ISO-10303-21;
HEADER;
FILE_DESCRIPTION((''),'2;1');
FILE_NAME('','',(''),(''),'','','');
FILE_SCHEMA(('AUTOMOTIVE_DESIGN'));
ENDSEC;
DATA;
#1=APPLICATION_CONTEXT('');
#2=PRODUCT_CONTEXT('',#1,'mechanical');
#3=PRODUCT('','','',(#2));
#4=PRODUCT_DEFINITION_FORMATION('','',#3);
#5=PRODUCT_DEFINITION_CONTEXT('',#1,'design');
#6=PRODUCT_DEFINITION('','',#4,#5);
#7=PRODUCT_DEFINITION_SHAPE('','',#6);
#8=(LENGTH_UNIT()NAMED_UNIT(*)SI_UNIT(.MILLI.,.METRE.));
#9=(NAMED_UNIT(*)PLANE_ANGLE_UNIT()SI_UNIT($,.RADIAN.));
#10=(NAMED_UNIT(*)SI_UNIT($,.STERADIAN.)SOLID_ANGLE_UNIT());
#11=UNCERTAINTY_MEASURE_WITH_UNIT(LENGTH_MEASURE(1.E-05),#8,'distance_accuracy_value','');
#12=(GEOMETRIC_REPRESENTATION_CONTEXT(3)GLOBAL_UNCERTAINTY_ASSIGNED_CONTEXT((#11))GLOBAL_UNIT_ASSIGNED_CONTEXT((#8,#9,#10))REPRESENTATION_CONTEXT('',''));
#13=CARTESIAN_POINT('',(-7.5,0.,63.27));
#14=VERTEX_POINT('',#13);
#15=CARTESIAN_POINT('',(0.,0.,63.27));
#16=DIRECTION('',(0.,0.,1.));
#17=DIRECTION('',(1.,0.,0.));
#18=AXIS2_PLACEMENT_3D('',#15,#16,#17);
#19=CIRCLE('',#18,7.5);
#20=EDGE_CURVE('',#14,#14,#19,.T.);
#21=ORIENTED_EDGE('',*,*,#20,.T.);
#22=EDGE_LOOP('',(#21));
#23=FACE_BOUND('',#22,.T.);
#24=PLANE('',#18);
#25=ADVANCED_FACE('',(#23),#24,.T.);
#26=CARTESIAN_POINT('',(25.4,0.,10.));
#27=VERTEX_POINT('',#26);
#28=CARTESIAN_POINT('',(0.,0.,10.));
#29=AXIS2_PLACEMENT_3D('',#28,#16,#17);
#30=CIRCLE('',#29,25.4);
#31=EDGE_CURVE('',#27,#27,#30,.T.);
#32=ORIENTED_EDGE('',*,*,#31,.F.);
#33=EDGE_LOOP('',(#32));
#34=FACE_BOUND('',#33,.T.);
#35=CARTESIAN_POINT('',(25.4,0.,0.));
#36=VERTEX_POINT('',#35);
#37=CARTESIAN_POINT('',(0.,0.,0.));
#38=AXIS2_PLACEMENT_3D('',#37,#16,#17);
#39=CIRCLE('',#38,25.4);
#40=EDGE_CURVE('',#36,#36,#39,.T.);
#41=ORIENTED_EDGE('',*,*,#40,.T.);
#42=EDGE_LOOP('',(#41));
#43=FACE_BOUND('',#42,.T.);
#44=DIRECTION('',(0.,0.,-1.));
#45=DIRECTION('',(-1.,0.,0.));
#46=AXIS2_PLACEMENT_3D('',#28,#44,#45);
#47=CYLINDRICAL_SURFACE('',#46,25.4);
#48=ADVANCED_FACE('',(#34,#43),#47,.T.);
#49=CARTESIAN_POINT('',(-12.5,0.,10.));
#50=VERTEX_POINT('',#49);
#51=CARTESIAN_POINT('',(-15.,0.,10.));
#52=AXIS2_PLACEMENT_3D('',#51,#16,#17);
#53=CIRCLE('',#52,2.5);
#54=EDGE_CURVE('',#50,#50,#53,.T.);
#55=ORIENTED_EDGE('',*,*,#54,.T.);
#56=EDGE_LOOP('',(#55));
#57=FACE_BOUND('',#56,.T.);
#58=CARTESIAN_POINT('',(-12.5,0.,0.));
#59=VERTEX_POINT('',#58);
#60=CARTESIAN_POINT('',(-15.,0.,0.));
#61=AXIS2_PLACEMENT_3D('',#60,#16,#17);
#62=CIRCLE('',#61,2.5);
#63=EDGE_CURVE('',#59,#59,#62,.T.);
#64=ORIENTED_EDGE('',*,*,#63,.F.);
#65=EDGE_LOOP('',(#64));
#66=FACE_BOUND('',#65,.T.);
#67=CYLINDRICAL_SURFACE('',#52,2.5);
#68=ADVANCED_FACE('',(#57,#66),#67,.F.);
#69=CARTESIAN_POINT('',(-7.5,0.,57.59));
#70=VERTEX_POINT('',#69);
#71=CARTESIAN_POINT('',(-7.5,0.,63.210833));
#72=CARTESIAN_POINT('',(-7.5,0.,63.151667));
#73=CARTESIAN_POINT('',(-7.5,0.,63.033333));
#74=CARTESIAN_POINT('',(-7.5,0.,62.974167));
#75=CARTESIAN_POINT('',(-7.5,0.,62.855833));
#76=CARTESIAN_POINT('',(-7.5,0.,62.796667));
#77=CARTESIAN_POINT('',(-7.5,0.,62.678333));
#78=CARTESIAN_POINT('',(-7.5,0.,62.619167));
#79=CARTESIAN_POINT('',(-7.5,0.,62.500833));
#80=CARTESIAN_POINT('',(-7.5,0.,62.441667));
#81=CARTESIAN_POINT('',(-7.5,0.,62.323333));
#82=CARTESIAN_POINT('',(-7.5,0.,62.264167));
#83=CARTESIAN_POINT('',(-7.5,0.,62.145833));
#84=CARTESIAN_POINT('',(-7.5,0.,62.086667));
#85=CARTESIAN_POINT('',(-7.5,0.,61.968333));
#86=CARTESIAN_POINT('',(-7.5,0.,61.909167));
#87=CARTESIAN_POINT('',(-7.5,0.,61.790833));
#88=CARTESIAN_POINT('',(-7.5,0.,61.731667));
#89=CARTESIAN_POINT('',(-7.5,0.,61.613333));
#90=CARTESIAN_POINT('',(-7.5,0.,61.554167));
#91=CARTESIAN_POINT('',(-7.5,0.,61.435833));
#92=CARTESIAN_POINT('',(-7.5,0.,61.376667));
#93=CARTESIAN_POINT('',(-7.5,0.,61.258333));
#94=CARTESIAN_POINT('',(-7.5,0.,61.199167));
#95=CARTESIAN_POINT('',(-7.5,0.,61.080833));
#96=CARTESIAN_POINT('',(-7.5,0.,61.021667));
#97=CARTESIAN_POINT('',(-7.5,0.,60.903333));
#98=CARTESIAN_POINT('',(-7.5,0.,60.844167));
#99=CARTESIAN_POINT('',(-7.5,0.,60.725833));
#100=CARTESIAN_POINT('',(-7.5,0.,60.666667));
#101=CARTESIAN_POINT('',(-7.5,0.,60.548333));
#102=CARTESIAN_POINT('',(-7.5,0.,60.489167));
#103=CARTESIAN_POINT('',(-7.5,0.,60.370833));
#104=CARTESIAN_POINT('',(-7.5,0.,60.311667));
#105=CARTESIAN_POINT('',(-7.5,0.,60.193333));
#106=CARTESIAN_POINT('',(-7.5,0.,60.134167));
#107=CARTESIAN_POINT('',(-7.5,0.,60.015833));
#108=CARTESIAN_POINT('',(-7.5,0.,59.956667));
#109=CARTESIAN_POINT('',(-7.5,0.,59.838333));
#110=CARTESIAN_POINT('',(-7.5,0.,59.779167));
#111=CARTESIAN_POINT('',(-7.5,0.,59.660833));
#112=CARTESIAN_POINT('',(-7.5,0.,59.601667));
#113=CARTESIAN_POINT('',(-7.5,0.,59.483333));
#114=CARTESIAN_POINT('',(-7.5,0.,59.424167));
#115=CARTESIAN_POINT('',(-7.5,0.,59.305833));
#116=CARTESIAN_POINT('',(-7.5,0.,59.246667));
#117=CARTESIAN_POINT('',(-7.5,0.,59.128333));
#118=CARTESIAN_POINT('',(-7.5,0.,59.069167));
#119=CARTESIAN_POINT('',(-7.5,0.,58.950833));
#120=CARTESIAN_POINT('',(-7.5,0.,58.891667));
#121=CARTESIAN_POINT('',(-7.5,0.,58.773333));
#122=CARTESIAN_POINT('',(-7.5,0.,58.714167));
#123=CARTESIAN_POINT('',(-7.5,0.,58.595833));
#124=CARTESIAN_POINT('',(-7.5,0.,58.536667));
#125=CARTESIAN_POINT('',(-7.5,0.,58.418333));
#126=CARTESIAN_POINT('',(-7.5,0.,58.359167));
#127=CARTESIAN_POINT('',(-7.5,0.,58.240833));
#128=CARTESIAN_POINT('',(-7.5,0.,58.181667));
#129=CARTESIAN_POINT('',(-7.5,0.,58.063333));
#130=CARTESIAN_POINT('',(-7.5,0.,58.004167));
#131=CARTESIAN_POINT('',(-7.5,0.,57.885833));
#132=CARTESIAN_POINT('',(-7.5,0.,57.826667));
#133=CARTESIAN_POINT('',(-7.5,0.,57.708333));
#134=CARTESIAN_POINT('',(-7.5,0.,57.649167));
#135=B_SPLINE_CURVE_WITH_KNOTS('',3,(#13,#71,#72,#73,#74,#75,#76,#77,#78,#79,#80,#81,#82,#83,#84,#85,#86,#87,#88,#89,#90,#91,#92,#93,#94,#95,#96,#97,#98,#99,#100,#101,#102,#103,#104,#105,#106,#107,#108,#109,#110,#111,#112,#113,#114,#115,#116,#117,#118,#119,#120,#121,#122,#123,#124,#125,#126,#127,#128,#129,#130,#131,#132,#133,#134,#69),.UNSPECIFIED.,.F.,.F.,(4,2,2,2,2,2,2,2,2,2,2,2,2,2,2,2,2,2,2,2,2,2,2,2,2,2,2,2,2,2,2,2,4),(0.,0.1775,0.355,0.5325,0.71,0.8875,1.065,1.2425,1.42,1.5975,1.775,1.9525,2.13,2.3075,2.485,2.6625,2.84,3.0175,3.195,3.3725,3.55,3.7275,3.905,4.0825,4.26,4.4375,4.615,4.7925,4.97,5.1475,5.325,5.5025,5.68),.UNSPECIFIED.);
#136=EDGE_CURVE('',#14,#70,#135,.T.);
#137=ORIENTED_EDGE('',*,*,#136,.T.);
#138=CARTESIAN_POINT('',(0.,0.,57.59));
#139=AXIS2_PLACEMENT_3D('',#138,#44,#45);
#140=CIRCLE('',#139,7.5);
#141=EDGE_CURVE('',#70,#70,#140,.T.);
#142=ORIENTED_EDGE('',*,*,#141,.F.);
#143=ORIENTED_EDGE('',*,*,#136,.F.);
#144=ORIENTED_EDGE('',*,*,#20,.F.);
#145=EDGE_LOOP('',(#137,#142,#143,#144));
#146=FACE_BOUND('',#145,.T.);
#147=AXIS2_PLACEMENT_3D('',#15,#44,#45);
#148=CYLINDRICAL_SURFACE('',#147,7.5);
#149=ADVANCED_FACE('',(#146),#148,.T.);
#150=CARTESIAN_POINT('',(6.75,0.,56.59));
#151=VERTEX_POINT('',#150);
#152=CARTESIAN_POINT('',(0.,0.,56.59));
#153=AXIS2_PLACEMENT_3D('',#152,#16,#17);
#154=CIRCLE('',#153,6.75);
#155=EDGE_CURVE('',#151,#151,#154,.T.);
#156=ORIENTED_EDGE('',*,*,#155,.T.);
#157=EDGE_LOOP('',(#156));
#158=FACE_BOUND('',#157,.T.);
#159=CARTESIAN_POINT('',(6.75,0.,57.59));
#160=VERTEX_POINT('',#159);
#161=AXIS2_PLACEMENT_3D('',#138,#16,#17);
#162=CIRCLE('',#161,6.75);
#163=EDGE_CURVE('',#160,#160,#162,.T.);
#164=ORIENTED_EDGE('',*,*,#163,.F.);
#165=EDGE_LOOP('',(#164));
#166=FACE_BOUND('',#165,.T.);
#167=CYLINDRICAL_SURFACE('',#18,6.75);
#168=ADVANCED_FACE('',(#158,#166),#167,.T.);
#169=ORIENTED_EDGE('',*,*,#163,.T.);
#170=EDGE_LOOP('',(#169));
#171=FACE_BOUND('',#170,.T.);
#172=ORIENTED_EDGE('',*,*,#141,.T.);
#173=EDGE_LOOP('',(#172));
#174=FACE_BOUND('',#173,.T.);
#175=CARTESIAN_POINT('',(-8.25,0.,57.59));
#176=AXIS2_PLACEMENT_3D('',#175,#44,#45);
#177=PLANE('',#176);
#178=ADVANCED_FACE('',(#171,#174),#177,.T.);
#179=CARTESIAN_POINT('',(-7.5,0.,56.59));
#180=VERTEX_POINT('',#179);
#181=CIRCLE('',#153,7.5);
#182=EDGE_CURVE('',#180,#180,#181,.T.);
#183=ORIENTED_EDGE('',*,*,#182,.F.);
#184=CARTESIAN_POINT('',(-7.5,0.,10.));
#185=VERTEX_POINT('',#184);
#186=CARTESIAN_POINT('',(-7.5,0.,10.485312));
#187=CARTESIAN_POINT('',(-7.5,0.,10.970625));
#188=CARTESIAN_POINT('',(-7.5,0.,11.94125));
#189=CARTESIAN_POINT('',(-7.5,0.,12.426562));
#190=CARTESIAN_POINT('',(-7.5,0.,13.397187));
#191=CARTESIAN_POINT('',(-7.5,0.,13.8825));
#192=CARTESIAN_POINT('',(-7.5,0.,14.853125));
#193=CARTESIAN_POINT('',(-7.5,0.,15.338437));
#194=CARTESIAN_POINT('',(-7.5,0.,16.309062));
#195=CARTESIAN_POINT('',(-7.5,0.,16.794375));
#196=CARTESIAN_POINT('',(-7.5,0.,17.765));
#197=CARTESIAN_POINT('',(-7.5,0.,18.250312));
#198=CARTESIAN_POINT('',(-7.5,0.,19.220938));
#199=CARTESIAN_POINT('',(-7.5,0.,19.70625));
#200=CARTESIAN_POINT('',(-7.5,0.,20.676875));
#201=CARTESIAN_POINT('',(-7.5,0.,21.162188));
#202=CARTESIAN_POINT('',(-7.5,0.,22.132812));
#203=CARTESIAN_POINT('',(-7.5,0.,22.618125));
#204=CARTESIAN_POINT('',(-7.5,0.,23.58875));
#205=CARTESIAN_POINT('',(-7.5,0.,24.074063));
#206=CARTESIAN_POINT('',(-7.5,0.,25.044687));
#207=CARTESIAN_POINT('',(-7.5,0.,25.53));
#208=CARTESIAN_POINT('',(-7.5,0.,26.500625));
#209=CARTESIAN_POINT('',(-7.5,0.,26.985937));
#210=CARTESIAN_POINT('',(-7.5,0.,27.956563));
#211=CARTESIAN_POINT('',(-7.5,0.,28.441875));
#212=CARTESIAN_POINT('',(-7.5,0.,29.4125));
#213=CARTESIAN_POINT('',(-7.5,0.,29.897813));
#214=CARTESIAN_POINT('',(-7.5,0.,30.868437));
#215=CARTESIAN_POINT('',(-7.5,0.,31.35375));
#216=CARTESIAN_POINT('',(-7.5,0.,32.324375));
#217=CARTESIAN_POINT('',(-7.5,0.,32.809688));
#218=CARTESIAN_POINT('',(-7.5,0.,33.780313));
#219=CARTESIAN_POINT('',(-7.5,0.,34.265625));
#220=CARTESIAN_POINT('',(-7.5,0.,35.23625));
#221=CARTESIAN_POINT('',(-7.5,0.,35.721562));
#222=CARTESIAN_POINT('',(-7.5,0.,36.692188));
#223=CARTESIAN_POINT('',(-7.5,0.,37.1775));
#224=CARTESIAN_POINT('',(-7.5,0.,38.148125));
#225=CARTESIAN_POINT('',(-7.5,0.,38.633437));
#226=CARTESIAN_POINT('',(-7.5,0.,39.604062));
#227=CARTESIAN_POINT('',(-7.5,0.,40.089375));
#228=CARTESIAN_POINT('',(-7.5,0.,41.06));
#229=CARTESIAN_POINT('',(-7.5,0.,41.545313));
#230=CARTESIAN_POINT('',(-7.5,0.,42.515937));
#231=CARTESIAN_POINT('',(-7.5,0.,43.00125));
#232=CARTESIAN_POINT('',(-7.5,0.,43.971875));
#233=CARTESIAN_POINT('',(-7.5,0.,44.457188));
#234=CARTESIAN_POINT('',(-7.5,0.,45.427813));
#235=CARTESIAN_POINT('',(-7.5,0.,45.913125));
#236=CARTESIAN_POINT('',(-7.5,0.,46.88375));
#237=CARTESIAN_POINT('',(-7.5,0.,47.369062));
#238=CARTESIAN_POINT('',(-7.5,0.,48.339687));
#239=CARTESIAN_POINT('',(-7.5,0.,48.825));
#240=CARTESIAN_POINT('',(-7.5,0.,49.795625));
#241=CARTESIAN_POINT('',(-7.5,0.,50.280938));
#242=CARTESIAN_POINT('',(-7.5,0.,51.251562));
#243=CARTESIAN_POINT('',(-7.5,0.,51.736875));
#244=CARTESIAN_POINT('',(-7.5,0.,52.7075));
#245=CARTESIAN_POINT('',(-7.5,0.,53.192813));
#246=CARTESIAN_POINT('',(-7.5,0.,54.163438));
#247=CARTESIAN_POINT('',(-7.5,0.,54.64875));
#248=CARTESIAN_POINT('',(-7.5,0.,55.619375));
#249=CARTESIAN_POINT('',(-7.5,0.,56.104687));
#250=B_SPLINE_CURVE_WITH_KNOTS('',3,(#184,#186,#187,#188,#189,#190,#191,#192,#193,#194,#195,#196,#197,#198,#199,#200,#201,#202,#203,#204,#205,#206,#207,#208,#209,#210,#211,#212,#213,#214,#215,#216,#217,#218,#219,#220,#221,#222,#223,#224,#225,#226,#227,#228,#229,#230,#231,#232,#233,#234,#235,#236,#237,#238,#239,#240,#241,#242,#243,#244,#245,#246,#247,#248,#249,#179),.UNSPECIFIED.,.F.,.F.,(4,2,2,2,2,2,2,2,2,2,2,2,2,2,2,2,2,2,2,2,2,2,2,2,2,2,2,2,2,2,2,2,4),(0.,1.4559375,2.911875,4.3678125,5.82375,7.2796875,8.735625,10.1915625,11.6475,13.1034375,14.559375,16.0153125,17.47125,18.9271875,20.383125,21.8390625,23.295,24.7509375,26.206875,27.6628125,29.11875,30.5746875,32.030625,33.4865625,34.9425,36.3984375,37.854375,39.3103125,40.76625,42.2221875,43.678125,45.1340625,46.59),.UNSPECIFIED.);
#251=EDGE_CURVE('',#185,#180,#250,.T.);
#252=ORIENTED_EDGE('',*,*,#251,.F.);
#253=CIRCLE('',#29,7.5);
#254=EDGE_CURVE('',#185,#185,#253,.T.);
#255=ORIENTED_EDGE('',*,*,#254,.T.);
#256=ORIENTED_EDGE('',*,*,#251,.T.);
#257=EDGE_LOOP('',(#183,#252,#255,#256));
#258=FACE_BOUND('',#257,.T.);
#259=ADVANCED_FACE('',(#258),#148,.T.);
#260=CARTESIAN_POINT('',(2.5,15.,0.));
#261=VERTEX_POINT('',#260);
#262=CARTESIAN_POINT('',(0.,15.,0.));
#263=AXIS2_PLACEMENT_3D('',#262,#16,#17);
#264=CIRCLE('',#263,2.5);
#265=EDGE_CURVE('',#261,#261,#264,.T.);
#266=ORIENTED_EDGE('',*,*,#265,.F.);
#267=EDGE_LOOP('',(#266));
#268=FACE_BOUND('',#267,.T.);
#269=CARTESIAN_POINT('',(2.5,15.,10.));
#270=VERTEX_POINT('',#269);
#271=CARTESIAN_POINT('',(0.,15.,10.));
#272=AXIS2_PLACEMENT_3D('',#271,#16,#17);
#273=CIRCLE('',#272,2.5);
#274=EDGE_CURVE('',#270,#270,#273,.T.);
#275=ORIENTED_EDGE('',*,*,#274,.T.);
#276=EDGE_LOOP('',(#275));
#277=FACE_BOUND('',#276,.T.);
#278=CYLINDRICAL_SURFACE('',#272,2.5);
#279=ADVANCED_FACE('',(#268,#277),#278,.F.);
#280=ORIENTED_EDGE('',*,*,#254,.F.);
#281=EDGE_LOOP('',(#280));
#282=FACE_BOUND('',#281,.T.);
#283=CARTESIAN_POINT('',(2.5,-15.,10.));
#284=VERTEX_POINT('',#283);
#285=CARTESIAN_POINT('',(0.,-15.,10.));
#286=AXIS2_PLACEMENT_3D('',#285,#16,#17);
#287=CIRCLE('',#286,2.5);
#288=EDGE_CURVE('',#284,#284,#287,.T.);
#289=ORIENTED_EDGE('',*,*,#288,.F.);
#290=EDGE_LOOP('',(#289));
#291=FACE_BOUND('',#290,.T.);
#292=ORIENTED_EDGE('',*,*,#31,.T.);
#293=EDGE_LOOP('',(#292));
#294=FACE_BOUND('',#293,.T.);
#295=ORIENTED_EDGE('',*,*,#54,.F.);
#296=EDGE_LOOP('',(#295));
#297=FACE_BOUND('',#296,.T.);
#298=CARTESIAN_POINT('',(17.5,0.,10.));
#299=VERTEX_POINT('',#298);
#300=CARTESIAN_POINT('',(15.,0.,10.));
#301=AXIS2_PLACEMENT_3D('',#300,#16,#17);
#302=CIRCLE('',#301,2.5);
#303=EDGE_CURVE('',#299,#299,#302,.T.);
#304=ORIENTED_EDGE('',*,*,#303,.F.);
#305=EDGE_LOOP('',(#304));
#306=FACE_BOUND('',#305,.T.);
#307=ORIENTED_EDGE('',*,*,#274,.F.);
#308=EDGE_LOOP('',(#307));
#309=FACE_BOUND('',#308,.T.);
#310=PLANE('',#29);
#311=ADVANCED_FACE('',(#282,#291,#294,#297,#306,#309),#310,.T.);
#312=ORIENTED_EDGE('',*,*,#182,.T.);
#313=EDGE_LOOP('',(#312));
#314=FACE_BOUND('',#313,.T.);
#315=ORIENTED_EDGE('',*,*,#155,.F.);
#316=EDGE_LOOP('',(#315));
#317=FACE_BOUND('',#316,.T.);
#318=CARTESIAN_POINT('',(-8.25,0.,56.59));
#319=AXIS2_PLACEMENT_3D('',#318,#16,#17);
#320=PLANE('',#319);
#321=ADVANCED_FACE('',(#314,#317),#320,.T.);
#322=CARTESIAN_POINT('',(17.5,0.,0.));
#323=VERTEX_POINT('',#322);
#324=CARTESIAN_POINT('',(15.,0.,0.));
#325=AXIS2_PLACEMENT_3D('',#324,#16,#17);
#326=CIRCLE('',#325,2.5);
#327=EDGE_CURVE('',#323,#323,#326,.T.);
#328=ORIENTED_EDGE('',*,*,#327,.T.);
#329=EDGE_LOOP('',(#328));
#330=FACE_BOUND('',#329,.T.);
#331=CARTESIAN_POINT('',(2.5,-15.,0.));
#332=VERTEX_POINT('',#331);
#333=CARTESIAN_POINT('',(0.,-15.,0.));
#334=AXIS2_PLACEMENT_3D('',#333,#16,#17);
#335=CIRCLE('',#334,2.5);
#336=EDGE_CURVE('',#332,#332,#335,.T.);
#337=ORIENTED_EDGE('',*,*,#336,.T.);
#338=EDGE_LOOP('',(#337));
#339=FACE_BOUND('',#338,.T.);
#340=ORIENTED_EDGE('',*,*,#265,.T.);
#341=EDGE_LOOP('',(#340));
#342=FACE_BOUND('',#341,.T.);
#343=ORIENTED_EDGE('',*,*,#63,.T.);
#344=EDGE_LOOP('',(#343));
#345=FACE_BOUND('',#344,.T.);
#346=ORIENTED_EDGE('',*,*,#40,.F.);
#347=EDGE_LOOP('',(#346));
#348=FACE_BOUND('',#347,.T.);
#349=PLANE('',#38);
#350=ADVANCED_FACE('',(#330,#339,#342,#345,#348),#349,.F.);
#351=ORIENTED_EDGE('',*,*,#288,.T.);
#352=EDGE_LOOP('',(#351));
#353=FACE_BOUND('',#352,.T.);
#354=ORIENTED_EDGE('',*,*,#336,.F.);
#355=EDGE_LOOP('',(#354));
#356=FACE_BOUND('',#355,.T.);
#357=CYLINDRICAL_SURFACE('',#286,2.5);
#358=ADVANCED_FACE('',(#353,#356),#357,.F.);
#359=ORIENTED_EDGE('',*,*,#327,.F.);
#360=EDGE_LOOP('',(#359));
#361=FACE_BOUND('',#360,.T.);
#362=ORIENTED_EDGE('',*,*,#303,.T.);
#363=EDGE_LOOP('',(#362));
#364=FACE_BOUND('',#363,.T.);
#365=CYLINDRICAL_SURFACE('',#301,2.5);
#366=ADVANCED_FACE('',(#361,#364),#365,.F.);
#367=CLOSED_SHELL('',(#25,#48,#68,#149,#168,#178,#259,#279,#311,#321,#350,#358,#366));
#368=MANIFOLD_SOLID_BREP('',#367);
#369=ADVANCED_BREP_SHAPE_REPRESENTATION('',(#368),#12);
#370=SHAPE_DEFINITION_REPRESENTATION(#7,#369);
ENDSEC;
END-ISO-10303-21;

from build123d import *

# Parameters (mm, degrees)
SKETCH1_R                   = 25.4
BOSS_EXTRUDE1_DEPTH         = 10
TAP_DRILL_FOR_M6X1_0_TAP1_D = 5
CIRPATTERN1_COUNT           = 4
SKETCH3_R                   = 7.5
BOSS_EXTRUDE2_DEPTH         = 53.27
SKETCH12_W                  = 1.5
SKETCH12_H                  = 1


with BuildPart() as part:
    # Sketch1 → Boss-Extrude1 (new body)
    with BuildSketch(Plane.XY):
        Circle(SKETCH1_R)
    extrude(amount=BOSS_EXTRUDE1_DEPTH)

    # Tap Drill for M6x1.0 Tap1 (through all)
    with Locations(Plane.XY.offset(10)):
        with Locations((0, 15)):
            tap_drill_for_m6x1_0_tap1 = Hole(TAP_DRILL_FOR_M6X1_0_TAP1_D / 2)

    # CirPattern1: Tap Drill for M6x1.0 Tap1 ×4 about axis
    cirpattern1_axis = Axis((0, 0, 0), (0, 0, 1))
    for i in range(1, CIRPATTERN1_COUNT):
        add(tap_drill_for_m6x1_0_tap1.rotate(cirpattern1_axis, i * 360 / CIRPATTERN1_COUNT), mode=Mode.SUBTRACT)

    # Sketch3 → Boss-Extrude2 (add)
    with BuildSketch(Plane.XY.offset(10)):
        with Locations(Location((0, 0, 0), (0, 0, 180))):
            Circle(SKETCH3_R)
    extrude(amount=BOSS_EXTRUDE2_DEPTH)

    # Sketch12 → Cut-Revolve2 (revolve, cut)
    with BuildSketch(Plane(origin=(0, 0, 0), x_dir=(1, 0, 0), z_dir=(0, 1, 0))):
        with Locations((-7.5, -57.09)):
            Rectangle(SKETCH12_W, SKETCH12_H)
    revolve(axis=Axis((0, 0, 63.27), (0, 0, -1)), mode=Mode.SUBTRACT)


solid = part.part
